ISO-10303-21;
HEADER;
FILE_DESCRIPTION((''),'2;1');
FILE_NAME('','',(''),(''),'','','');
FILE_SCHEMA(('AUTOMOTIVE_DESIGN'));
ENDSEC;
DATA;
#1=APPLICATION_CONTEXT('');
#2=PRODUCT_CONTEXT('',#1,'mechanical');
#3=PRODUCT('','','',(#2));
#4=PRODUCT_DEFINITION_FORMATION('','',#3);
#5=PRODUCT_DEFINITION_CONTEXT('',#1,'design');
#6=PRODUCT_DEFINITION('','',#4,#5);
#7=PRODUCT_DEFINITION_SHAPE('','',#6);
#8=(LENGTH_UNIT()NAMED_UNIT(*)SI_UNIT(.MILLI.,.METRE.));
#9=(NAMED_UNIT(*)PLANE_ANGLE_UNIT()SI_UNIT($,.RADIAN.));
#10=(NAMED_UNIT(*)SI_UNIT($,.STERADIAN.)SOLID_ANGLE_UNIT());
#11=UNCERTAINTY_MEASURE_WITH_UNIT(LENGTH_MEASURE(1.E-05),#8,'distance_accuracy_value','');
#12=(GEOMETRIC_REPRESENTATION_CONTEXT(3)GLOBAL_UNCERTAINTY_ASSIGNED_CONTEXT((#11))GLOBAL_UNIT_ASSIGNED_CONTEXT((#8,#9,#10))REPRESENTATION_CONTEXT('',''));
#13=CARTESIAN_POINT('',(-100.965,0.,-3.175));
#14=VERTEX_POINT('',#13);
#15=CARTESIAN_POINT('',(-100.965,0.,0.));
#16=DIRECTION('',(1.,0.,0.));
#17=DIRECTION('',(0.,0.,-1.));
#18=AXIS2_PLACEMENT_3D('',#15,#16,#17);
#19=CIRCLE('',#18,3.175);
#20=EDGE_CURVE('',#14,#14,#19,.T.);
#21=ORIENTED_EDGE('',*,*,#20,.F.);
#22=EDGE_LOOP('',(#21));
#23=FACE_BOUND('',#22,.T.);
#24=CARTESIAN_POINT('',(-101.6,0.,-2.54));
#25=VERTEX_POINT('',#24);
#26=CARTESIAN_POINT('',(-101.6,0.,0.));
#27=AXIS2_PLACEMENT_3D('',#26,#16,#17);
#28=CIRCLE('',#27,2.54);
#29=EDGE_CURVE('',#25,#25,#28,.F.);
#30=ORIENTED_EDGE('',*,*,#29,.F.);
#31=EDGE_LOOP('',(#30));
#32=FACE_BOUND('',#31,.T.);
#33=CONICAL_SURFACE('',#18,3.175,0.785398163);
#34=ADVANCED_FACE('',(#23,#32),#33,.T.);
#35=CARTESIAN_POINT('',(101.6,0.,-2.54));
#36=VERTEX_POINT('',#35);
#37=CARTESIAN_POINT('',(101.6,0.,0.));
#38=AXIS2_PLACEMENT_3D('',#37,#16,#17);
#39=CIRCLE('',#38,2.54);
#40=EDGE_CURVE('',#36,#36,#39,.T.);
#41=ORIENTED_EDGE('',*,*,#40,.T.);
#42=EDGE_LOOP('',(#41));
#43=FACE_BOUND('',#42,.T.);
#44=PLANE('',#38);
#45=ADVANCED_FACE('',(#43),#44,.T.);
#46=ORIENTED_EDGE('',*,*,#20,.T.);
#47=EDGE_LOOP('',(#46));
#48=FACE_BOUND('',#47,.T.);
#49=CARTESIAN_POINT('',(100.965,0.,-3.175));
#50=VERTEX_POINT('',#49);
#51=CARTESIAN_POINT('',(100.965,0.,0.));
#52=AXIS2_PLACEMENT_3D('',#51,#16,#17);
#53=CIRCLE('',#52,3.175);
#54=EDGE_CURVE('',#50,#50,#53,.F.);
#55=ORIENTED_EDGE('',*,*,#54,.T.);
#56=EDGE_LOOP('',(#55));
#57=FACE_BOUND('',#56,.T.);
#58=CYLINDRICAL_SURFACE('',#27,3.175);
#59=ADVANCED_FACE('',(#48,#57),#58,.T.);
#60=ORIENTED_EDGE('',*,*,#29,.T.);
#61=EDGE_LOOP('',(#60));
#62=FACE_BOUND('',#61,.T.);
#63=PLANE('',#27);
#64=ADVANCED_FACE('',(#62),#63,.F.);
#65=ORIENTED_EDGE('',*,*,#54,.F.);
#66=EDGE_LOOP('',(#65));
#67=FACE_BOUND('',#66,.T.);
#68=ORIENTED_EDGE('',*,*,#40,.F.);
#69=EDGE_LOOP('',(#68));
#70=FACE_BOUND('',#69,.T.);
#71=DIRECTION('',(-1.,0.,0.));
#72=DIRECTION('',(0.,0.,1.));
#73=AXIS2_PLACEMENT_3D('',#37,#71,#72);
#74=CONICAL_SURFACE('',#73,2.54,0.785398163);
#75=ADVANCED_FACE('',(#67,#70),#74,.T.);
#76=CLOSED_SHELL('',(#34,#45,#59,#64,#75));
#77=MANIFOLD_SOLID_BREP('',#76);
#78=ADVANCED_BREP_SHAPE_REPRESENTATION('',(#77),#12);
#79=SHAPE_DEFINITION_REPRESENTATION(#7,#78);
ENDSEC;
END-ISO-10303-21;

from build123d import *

# Parameters (mm, degrees)
SKETCH2_R           = 3.175
EXTRUDE1_DEPTH      = 101.6
EXTRUDE1_DEPTH_BACK = 101.6
CHAMFER1_SIZE       = 0.635


with BuildPart() as part:
    # Sketch2 → Extrude1 (new body, two sides)
    with BuildSketch(Plane(origin=(0, 0, 0), x_dir=(0, 0, -1), z_dir=(1, 0, 0))) as extrude1_sk:
        Circle(SKETCH2_R)
    extrude(amount=EXTRUDE1_DEPTH)
    extrude(extrude1_sk.sketch, amount=-EXTRUDE1_DEPTH_BACK)

    # Chamfer1
    chamfer1_edges = [part.edges().sort_by_distance(p)[0] for p in [
        (-101.6, 0, 3.175),
        (101.6, 0, 3.175),
    ]]
    chamfer(chamfer1_edges, length=CHAMFER1_SIZE)


solid = part.part
